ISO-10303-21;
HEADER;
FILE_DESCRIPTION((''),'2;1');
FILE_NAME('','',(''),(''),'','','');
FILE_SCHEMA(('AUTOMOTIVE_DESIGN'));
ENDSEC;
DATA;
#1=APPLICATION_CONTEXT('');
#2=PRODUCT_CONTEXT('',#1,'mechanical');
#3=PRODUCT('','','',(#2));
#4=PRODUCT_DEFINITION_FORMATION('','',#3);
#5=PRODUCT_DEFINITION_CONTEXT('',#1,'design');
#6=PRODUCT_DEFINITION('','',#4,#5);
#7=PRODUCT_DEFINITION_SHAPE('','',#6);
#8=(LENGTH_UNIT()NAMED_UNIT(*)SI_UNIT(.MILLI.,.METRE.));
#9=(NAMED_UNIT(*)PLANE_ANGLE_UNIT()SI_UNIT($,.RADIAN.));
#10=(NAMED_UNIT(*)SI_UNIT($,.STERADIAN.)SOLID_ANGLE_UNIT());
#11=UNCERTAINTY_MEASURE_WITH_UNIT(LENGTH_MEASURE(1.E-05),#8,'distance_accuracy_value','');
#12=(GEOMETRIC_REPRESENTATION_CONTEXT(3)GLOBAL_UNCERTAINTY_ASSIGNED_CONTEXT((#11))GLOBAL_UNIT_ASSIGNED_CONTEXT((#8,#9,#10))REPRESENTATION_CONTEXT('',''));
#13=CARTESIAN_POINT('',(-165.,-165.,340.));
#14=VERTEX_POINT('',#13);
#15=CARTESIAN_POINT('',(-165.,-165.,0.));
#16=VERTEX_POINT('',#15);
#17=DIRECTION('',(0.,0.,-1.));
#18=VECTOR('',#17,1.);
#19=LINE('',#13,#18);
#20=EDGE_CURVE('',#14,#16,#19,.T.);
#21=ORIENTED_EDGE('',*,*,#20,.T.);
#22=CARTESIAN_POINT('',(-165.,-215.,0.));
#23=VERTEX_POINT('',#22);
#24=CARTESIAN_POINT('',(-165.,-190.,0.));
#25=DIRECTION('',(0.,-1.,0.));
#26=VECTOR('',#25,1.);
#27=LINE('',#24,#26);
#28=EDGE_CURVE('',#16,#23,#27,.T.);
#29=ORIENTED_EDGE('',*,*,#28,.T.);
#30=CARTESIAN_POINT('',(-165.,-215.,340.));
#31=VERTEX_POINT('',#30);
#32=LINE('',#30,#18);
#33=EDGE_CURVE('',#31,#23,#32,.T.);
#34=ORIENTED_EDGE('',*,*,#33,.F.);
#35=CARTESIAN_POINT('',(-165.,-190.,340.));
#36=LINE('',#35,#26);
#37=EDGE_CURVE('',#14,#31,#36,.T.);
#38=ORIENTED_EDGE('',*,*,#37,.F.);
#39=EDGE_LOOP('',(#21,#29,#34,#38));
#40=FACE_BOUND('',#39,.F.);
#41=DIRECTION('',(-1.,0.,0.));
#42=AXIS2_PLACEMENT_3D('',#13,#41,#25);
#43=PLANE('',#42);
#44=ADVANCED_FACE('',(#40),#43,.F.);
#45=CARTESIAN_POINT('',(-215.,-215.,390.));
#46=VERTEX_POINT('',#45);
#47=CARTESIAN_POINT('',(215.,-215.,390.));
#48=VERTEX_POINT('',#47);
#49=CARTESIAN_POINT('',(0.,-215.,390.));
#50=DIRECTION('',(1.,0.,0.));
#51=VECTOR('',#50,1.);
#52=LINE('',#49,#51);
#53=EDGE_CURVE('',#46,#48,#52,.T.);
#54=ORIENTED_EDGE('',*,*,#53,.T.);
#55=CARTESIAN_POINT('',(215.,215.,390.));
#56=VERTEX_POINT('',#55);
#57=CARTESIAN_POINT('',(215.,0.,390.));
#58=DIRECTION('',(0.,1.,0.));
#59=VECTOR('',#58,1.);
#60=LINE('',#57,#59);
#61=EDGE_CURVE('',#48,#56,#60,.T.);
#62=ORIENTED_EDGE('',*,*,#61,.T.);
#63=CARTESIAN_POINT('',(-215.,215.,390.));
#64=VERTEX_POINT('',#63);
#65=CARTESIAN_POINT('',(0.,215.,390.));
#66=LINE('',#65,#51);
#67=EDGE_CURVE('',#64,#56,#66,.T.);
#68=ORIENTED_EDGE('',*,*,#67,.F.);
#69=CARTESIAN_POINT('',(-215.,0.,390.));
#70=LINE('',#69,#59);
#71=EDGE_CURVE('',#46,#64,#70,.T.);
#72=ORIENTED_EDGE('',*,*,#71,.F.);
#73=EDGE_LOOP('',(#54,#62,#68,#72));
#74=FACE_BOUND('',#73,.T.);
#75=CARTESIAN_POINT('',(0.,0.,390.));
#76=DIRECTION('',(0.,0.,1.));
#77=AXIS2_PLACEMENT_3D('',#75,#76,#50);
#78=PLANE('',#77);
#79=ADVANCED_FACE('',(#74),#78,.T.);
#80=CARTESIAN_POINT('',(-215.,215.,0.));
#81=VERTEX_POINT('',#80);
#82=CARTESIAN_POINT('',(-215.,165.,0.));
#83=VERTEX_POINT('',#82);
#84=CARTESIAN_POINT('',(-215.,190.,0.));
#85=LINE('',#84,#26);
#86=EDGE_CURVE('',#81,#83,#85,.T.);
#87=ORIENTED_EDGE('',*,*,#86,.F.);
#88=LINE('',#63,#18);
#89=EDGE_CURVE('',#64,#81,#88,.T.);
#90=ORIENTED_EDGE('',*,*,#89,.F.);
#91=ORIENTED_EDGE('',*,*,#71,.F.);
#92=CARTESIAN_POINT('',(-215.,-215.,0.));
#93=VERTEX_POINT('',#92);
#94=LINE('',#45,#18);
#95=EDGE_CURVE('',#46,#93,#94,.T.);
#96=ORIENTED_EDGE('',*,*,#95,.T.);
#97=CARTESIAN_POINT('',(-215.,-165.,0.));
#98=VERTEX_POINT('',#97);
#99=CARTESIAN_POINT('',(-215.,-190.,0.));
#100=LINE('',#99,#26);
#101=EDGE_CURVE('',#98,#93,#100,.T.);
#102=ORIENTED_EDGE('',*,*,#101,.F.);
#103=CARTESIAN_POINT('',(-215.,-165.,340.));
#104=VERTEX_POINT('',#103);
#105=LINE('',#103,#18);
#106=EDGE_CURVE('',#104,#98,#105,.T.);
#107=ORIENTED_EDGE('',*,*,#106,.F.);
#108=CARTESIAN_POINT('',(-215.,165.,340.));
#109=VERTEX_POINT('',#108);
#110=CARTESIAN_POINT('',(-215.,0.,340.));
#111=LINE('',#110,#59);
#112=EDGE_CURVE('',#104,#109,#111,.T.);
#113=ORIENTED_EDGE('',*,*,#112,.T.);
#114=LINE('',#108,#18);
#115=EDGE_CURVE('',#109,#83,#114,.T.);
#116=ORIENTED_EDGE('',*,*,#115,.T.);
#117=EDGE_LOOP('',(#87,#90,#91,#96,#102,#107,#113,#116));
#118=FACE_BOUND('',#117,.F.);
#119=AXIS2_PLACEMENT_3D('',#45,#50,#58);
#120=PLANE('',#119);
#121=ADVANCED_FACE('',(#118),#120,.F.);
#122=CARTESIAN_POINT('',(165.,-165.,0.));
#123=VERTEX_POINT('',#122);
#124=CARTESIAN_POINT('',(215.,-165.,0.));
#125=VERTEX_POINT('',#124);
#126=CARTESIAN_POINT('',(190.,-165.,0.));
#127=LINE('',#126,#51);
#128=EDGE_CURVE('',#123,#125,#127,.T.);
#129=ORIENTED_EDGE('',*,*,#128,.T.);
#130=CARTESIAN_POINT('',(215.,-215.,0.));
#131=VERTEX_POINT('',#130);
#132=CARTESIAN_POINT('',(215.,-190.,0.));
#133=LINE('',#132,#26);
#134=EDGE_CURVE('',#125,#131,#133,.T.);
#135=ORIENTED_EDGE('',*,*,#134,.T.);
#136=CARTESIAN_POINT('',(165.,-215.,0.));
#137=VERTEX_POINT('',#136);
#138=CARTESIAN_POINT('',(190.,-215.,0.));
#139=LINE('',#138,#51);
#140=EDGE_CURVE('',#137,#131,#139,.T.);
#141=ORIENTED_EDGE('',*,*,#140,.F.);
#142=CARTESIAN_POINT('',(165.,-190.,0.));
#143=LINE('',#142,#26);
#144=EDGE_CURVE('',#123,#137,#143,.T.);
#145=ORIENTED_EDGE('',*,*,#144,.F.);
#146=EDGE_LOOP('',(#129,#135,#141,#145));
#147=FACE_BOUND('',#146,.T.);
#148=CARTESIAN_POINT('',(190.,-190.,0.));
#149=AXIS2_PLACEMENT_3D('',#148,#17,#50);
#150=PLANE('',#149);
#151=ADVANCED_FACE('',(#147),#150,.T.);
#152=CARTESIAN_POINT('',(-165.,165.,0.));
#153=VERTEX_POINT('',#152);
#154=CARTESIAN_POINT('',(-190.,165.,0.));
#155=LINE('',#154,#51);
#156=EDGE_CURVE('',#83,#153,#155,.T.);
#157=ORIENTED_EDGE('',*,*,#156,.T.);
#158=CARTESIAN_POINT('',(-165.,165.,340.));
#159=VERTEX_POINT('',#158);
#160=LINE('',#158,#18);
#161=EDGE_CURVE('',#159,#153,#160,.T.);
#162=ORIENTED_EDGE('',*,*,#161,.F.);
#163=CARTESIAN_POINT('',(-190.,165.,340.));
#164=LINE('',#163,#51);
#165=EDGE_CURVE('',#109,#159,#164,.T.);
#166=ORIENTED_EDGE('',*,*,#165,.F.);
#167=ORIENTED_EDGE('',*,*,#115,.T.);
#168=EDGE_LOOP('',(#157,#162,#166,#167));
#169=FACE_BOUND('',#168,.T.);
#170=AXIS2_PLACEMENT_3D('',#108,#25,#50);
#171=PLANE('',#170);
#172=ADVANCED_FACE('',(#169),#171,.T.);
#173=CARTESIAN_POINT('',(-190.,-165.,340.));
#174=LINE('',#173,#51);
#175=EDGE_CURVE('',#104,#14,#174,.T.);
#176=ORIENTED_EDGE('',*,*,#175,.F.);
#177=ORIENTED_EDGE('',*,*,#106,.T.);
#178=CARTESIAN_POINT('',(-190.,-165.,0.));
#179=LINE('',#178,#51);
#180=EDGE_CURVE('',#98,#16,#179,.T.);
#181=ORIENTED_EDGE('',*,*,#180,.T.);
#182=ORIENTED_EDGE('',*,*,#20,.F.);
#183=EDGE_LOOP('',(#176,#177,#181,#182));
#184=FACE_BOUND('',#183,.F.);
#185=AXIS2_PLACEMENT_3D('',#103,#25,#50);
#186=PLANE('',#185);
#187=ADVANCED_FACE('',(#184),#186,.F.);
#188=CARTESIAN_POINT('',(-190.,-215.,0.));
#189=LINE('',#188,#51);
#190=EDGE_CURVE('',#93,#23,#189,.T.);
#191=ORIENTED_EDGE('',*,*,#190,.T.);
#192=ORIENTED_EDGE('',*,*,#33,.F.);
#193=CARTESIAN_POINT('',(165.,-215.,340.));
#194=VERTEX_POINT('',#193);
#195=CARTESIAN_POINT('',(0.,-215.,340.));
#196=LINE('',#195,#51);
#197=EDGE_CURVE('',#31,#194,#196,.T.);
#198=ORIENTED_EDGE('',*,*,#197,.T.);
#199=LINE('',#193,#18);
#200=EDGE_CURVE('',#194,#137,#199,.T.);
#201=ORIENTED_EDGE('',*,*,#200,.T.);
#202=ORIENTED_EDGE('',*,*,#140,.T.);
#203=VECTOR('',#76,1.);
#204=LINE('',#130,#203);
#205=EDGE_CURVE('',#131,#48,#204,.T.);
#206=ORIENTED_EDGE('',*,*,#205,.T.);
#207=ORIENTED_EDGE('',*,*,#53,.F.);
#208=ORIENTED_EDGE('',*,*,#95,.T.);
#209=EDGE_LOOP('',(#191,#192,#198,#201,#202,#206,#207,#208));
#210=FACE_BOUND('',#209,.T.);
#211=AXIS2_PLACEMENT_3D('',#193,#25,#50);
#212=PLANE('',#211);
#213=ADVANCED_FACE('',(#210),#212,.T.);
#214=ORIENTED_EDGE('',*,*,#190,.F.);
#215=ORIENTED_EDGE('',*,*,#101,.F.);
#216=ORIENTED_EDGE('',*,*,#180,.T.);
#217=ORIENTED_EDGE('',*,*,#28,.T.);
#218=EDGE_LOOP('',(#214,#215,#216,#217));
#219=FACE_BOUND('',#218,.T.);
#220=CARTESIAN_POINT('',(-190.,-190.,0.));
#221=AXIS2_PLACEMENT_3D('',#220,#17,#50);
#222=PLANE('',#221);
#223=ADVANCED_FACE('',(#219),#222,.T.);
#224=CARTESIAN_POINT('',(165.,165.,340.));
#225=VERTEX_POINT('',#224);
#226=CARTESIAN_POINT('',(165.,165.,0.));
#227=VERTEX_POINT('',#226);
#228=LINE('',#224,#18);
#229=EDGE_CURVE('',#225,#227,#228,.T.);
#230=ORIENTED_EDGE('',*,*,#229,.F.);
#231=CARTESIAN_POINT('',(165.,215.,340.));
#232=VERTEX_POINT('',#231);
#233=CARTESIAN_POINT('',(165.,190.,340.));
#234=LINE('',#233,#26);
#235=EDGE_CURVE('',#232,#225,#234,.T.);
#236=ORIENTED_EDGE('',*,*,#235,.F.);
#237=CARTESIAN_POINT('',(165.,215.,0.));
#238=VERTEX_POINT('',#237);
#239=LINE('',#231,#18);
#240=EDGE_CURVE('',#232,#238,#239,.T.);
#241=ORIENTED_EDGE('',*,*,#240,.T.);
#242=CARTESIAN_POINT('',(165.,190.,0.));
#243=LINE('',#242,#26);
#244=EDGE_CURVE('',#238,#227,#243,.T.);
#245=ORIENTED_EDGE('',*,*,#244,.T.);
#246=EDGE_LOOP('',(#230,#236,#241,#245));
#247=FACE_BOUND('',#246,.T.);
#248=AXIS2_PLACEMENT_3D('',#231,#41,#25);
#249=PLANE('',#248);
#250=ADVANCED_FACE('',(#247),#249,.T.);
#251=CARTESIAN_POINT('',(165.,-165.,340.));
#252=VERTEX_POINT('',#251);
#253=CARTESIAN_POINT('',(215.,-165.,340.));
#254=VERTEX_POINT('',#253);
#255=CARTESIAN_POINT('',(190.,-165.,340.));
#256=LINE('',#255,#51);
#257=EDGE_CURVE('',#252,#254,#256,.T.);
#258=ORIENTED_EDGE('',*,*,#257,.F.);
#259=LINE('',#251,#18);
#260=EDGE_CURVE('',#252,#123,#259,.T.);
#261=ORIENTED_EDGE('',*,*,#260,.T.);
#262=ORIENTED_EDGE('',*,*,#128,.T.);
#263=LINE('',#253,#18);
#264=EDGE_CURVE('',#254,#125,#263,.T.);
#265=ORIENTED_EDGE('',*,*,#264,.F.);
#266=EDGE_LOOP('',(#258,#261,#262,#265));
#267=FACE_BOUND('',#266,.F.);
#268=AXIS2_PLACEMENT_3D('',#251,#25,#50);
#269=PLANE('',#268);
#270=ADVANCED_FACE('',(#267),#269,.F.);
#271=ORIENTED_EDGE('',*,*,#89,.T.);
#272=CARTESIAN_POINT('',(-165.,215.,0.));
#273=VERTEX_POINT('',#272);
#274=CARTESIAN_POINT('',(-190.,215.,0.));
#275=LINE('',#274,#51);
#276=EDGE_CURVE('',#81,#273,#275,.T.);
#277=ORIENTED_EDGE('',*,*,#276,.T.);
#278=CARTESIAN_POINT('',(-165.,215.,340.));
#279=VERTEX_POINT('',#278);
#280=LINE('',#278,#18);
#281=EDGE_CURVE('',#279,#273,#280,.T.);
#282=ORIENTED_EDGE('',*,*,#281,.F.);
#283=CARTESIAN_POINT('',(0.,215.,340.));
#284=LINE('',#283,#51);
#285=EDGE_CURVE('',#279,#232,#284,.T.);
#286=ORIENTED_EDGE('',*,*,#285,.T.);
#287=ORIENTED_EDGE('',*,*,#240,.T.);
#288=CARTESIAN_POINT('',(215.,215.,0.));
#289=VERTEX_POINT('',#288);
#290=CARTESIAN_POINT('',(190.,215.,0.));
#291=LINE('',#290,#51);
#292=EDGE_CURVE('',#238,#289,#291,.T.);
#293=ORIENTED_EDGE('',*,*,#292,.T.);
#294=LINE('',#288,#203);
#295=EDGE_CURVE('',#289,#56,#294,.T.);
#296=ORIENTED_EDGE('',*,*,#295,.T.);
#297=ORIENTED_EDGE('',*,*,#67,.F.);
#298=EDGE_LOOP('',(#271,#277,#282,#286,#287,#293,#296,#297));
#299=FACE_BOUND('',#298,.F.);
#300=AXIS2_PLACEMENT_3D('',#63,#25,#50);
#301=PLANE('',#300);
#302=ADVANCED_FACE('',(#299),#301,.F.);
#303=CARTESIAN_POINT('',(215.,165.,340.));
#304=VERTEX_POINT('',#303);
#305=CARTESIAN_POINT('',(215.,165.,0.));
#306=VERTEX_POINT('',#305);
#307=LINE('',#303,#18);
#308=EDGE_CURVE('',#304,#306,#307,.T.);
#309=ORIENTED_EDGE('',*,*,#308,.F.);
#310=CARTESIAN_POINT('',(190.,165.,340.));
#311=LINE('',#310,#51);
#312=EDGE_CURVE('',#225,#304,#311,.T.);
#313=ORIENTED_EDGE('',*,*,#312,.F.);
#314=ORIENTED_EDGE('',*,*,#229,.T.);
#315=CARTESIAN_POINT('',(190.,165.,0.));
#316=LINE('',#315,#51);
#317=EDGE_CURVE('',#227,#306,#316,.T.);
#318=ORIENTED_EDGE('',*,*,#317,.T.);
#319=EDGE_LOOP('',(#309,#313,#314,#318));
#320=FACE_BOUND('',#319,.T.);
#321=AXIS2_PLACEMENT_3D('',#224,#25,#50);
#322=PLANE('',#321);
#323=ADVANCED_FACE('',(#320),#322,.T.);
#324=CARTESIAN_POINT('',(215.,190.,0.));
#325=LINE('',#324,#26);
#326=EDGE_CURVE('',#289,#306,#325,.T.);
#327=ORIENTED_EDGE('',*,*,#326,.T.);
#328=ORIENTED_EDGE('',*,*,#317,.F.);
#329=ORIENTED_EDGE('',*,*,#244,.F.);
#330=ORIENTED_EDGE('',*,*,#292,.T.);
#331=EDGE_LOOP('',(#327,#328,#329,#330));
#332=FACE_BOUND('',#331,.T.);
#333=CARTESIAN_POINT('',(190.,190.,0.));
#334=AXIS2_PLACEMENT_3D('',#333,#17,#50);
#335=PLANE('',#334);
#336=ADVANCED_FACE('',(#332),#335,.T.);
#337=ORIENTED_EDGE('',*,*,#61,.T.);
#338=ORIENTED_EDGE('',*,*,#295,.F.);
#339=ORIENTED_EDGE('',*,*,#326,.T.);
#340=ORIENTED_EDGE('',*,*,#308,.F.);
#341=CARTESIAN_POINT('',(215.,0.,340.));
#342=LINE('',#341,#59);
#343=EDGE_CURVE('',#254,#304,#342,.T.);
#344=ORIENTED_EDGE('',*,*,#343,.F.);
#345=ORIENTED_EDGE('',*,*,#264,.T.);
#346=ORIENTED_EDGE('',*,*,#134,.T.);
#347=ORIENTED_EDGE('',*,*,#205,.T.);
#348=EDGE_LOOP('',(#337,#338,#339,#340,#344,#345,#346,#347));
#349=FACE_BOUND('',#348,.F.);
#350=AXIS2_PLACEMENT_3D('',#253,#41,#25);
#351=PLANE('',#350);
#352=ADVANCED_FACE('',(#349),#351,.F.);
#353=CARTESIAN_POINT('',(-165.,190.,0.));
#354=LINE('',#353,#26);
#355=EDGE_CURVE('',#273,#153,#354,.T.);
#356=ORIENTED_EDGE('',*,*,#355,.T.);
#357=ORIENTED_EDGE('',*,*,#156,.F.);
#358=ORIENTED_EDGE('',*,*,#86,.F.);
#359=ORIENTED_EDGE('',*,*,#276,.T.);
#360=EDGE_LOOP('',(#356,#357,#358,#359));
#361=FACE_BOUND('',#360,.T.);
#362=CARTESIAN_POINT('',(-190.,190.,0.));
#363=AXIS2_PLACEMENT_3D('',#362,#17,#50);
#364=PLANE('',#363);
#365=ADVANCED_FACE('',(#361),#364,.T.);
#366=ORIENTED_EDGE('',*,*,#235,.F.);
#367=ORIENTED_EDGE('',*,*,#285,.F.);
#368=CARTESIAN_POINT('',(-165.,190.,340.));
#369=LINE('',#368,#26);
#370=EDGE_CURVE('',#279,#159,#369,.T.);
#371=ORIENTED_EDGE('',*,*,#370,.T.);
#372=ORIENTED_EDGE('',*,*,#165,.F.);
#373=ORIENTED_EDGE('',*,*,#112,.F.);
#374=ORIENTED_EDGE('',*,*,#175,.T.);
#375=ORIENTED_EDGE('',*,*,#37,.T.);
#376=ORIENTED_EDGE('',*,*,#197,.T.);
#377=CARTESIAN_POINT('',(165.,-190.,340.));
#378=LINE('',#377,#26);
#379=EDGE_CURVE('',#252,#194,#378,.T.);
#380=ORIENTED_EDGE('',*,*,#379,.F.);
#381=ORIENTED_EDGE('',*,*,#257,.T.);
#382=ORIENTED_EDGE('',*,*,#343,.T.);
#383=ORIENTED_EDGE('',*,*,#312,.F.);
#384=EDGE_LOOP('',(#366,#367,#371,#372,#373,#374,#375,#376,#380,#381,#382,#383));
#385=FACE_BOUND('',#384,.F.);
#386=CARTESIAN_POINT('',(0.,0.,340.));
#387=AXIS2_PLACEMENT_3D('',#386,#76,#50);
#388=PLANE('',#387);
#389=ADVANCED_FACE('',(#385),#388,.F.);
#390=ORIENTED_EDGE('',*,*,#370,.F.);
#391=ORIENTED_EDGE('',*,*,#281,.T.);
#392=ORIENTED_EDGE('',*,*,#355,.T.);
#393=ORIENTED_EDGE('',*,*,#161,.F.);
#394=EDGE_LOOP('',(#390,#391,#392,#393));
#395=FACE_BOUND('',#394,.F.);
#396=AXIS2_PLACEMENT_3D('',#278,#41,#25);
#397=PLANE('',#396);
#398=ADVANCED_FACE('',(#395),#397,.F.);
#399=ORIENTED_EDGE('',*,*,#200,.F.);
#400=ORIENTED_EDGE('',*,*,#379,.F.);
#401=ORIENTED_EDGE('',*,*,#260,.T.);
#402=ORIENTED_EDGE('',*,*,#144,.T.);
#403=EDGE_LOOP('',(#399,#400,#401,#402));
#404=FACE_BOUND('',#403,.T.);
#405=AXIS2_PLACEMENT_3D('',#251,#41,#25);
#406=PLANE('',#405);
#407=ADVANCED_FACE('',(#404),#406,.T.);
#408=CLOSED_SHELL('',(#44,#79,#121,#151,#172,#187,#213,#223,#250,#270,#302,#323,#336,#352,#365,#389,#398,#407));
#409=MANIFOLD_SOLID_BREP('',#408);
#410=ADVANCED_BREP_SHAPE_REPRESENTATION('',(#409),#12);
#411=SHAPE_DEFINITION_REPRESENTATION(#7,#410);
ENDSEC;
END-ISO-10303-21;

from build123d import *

# Parameters (mm, degrees)
F1_W     = 430
F1_H     = 430
F2_DEPTH = 50
F3_W     = 50
F3_H     = 50
F4_DEPTH = 340


with BuildPart() as f2:
    # F1 (on offset) → F2 (new body)
    with BuildSketch(Plane.XY.offset(390)):
        Rectangle(F1_W, F1_H)
    extrude(amount=-F2_DEPTH)

    # F3 (on face) → F4 (join, through all)
    with BuildSketch(Plane(origin=(0, 0, 340), x_dir=(1, 0, 0), z_dir=(0, 0, -1))):
        with Locations((190, 190)):
            Rectangle(F3_W, F3_H)
        with Locations((-190, 190)):
            Rectangle(F3_W, F3_H)
        with Locations((-190, -190)):
            Rectangle(F3_W, F3_H)
        with Locations((190, -190)):
            Rectangle(F3_W, F3_H)
    extrude(amount=F4_DEPTH)


solid = f2.part
